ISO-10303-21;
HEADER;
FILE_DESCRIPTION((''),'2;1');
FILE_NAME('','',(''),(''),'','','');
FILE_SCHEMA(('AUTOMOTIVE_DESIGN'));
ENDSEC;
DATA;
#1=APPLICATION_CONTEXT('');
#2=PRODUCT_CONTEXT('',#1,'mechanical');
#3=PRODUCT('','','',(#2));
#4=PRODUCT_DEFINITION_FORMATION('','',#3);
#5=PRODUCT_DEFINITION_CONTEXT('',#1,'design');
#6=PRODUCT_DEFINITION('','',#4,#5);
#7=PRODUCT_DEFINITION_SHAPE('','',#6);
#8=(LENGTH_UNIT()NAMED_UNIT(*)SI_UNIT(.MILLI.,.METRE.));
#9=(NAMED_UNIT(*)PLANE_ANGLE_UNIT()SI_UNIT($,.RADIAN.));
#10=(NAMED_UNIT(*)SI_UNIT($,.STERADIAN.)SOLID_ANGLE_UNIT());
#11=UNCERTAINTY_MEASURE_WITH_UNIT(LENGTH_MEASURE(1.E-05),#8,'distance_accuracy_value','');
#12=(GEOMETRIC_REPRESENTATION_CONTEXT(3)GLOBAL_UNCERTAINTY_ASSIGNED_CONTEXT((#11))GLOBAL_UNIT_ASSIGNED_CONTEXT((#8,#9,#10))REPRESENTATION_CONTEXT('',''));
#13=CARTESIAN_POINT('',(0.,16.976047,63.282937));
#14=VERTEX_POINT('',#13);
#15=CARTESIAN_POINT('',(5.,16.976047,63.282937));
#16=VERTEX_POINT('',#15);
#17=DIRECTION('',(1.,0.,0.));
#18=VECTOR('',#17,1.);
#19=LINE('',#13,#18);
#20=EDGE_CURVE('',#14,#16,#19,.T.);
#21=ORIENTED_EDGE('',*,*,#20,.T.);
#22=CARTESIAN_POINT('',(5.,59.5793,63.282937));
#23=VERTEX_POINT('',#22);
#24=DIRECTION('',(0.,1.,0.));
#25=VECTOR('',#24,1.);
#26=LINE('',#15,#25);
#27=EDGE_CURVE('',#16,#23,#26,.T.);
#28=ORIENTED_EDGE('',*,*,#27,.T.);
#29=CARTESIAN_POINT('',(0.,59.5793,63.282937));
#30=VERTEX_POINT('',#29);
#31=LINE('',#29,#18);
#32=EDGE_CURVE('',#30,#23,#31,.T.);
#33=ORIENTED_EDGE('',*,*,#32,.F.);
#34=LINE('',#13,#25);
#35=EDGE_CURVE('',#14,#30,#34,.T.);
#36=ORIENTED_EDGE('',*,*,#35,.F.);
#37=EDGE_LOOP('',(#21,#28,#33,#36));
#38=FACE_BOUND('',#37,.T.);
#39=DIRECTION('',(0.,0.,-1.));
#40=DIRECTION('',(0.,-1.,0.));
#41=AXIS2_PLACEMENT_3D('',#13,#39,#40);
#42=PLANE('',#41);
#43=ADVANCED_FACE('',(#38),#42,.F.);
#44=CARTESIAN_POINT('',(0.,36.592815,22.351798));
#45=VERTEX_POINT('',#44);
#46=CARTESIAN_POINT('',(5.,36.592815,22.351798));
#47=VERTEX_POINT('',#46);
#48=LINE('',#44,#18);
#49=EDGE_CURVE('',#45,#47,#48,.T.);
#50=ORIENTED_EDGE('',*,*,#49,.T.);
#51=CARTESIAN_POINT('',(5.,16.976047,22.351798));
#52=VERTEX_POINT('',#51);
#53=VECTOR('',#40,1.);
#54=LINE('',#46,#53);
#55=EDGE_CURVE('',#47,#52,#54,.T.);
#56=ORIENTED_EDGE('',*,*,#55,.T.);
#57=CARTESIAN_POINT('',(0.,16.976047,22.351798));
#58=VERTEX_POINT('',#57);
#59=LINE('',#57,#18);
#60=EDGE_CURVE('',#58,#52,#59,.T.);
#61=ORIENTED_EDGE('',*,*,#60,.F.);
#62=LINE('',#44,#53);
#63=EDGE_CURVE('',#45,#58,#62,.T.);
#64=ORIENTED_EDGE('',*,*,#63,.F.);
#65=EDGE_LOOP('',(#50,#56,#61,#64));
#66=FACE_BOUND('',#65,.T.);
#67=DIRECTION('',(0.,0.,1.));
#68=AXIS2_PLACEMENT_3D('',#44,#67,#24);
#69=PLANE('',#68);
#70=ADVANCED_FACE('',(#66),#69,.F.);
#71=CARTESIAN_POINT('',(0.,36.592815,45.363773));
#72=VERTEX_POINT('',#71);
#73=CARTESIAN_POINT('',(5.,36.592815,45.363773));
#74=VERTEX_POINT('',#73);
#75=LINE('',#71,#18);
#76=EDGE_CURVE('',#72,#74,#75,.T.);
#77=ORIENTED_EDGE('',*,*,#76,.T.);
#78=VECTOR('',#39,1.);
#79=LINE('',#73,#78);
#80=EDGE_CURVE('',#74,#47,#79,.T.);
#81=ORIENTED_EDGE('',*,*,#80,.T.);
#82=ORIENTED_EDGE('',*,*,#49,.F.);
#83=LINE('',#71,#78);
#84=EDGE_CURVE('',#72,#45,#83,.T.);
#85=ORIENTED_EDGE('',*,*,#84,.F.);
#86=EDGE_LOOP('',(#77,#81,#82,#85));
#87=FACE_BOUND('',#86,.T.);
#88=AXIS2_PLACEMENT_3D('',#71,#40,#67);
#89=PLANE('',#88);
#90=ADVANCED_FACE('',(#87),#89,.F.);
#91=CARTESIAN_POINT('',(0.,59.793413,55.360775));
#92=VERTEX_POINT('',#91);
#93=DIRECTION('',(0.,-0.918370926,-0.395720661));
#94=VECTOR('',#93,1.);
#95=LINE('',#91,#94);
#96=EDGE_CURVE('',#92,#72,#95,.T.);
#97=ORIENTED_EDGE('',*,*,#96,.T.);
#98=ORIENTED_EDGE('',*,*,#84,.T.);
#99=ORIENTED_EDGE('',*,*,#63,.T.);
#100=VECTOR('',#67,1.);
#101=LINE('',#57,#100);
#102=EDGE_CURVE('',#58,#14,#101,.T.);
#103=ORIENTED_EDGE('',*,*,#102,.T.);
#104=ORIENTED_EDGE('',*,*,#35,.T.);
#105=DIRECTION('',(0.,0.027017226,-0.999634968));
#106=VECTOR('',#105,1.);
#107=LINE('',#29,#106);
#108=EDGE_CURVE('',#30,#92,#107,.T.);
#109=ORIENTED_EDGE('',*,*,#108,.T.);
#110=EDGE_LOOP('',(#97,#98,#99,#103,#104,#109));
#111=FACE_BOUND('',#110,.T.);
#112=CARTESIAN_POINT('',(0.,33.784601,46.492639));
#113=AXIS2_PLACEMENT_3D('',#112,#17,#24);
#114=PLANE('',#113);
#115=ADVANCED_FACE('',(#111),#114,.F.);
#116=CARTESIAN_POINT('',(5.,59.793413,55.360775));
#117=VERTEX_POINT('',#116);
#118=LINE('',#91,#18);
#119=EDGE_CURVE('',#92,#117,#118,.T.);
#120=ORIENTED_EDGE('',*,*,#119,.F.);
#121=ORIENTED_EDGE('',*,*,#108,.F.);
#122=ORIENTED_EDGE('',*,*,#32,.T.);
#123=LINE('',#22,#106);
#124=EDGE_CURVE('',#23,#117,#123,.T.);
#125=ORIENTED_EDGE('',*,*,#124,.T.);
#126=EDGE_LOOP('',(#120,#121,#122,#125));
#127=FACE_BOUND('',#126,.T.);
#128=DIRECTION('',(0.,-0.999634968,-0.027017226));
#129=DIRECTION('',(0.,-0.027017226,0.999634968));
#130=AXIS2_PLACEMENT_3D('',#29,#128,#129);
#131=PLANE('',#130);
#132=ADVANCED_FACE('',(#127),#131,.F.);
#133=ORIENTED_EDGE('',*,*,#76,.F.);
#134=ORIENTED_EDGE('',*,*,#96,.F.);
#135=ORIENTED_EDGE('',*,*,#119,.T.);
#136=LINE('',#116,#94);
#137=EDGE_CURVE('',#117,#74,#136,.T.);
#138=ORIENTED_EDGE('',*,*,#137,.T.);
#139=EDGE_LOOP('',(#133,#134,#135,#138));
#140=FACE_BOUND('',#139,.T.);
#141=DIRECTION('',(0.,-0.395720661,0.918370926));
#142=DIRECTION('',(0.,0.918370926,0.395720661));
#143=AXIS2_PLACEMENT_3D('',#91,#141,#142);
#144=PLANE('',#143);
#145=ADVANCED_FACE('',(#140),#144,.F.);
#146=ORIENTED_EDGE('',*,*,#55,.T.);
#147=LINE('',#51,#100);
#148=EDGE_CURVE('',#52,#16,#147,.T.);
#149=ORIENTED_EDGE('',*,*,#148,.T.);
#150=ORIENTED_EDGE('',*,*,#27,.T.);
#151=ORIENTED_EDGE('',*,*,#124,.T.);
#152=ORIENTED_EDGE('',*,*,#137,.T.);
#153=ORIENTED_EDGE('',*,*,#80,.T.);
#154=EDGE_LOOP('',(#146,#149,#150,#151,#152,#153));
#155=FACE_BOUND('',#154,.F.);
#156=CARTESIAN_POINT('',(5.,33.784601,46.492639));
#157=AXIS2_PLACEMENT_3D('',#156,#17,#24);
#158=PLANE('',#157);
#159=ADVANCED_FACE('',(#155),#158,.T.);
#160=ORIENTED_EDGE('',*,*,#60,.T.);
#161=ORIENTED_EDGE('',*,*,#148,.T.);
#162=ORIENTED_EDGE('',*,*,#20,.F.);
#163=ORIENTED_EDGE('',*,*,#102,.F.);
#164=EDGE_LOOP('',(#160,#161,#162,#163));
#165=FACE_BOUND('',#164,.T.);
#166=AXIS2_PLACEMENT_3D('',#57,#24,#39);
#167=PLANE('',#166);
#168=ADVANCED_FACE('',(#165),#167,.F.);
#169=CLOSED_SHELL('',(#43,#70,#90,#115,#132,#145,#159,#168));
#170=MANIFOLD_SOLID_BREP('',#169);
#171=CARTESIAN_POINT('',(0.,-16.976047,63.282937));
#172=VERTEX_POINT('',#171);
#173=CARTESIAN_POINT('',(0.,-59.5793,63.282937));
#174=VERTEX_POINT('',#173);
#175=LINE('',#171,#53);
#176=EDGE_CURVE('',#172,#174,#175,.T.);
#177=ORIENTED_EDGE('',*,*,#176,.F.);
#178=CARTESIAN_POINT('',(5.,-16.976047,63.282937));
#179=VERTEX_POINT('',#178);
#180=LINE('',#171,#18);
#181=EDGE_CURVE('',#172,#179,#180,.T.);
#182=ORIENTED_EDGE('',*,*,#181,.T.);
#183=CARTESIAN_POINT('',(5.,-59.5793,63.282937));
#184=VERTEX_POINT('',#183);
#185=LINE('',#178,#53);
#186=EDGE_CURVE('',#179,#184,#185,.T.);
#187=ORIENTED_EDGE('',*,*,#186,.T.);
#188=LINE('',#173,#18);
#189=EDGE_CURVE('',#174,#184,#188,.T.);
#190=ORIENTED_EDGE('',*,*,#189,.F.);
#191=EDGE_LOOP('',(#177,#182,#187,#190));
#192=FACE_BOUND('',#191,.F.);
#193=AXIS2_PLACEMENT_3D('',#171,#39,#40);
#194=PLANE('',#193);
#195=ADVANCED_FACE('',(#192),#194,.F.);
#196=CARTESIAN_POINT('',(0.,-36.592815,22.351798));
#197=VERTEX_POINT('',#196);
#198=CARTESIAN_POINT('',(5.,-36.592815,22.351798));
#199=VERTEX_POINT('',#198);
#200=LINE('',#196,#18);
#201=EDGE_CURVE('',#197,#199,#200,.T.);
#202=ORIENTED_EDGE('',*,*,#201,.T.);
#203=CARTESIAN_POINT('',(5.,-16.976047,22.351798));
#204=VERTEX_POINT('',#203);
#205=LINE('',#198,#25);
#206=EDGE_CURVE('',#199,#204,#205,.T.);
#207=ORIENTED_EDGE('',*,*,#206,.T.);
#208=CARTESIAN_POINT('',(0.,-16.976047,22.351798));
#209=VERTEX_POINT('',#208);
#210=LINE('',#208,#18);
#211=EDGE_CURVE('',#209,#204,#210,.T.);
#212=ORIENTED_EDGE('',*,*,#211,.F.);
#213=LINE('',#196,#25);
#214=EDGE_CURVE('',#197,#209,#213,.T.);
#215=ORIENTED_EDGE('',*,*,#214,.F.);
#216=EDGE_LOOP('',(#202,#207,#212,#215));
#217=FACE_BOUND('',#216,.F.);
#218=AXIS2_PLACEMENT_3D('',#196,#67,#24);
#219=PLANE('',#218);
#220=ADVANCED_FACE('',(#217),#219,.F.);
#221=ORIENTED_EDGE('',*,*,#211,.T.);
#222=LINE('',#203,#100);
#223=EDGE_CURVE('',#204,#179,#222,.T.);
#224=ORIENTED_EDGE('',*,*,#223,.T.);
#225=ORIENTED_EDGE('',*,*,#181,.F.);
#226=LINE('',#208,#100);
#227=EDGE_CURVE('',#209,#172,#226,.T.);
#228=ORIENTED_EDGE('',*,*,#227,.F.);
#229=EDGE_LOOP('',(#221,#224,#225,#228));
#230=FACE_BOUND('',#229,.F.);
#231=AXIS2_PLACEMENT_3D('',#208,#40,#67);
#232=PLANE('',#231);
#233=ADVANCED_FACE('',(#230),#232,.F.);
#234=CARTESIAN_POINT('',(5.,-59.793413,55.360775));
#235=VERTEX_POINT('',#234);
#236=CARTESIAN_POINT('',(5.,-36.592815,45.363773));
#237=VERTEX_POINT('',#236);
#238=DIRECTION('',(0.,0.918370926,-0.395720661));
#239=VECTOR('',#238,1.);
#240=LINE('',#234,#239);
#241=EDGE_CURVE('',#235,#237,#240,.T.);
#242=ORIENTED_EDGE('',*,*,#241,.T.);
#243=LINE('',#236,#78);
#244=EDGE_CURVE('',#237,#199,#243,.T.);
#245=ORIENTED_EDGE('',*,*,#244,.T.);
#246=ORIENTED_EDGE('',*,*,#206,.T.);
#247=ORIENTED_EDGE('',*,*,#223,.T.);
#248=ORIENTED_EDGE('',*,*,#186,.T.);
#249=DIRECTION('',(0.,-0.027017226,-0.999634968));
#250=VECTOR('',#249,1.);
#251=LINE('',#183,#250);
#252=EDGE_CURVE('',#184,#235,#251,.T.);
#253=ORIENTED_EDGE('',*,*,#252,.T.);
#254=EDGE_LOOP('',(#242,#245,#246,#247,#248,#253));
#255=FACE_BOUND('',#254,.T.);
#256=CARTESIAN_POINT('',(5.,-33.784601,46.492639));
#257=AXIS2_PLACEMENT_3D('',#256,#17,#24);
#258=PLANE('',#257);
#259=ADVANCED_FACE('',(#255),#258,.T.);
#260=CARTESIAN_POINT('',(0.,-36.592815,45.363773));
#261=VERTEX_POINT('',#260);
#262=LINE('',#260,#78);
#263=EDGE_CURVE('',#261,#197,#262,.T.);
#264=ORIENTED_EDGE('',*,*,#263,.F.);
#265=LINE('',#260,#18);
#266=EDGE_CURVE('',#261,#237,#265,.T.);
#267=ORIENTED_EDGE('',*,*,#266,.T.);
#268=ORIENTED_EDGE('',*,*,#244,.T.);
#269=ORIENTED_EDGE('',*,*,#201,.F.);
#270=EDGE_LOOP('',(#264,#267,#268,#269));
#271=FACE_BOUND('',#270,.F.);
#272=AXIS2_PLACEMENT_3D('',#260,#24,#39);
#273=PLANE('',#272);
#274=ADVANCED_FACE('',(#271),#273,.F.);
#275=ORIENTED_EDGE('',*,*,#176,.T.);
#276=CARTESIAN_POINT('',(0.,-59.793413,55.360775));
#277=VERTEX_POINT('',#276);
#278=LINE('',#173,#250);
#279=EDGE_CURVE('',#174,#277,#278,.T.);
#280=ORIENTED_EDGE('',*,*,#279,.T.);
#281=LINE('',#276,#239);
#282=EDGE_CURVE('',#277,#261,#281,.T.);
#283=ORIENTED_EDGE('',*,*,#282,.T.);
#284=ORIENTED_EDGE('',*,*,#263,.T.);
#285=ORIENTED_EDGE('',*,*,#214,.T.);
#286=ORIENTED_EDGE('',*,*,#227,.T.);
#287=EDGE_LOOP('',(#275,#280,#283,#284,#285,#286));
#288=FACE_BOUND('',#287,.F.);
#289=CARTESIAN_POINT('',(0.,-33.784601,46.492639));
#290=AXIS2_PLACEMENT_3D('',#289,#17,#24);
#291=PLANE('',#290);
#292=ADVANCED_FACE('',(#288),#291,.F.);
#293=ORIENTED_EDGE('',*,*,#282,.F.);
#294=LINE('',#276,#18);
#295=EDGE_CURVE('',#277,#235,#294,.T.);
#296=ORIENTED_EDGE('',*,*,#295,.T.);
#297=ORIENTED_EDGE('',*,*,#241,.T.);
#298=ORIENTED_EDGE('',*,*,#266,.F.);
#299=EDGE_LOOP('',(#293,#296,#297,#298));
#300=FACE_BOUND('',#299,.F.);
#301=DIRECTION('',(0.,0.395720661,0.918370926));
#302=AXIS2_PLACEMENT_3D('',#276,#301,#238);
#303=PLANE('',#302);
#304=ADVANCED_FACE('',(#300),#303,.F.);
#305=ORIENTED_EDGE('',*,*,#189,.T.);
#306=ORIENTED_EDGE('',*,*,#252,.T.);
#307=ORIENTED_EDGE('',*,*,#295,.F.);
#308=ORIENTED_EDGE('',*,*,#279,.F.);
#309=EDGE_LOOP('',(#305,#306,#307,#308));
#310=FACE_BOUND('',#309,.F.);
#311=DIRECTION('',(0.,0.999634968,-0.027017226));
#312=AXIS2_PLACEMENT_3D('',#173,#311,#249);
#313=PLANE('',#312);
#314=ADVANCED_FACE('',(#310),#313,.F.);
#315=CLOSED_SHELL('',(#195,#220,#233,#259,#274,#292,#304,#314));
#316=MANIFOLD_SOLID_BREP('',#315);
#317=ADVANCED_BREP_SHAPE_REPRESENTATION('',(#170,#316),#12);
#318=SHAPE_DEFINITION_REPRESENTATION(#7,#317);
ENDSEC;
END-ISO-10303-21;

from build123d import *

# Parameters (mm, degrees)
F1_DEPTH = 5


with BuildPart() as f1:
    # F0 (on Right) → F1 (new body)
    with BuildSketch(Plane.YZ):
        Polygon((-16.976047, 63.282937), (-59.5793, 63.282937), (-59.793413, 55.360775), (-36.592815, 45.363773), (-36.592815, 22.351798), (-16.976047, 22.351798), align=None)
    extrude(amount=F1_DEPTH)


with BuildPart() as f2_1:
    # F2: instance of F1
    add(f1.part.mirror(Plane.XZ))


solid = Compound([f1.part, f2_1.part])
